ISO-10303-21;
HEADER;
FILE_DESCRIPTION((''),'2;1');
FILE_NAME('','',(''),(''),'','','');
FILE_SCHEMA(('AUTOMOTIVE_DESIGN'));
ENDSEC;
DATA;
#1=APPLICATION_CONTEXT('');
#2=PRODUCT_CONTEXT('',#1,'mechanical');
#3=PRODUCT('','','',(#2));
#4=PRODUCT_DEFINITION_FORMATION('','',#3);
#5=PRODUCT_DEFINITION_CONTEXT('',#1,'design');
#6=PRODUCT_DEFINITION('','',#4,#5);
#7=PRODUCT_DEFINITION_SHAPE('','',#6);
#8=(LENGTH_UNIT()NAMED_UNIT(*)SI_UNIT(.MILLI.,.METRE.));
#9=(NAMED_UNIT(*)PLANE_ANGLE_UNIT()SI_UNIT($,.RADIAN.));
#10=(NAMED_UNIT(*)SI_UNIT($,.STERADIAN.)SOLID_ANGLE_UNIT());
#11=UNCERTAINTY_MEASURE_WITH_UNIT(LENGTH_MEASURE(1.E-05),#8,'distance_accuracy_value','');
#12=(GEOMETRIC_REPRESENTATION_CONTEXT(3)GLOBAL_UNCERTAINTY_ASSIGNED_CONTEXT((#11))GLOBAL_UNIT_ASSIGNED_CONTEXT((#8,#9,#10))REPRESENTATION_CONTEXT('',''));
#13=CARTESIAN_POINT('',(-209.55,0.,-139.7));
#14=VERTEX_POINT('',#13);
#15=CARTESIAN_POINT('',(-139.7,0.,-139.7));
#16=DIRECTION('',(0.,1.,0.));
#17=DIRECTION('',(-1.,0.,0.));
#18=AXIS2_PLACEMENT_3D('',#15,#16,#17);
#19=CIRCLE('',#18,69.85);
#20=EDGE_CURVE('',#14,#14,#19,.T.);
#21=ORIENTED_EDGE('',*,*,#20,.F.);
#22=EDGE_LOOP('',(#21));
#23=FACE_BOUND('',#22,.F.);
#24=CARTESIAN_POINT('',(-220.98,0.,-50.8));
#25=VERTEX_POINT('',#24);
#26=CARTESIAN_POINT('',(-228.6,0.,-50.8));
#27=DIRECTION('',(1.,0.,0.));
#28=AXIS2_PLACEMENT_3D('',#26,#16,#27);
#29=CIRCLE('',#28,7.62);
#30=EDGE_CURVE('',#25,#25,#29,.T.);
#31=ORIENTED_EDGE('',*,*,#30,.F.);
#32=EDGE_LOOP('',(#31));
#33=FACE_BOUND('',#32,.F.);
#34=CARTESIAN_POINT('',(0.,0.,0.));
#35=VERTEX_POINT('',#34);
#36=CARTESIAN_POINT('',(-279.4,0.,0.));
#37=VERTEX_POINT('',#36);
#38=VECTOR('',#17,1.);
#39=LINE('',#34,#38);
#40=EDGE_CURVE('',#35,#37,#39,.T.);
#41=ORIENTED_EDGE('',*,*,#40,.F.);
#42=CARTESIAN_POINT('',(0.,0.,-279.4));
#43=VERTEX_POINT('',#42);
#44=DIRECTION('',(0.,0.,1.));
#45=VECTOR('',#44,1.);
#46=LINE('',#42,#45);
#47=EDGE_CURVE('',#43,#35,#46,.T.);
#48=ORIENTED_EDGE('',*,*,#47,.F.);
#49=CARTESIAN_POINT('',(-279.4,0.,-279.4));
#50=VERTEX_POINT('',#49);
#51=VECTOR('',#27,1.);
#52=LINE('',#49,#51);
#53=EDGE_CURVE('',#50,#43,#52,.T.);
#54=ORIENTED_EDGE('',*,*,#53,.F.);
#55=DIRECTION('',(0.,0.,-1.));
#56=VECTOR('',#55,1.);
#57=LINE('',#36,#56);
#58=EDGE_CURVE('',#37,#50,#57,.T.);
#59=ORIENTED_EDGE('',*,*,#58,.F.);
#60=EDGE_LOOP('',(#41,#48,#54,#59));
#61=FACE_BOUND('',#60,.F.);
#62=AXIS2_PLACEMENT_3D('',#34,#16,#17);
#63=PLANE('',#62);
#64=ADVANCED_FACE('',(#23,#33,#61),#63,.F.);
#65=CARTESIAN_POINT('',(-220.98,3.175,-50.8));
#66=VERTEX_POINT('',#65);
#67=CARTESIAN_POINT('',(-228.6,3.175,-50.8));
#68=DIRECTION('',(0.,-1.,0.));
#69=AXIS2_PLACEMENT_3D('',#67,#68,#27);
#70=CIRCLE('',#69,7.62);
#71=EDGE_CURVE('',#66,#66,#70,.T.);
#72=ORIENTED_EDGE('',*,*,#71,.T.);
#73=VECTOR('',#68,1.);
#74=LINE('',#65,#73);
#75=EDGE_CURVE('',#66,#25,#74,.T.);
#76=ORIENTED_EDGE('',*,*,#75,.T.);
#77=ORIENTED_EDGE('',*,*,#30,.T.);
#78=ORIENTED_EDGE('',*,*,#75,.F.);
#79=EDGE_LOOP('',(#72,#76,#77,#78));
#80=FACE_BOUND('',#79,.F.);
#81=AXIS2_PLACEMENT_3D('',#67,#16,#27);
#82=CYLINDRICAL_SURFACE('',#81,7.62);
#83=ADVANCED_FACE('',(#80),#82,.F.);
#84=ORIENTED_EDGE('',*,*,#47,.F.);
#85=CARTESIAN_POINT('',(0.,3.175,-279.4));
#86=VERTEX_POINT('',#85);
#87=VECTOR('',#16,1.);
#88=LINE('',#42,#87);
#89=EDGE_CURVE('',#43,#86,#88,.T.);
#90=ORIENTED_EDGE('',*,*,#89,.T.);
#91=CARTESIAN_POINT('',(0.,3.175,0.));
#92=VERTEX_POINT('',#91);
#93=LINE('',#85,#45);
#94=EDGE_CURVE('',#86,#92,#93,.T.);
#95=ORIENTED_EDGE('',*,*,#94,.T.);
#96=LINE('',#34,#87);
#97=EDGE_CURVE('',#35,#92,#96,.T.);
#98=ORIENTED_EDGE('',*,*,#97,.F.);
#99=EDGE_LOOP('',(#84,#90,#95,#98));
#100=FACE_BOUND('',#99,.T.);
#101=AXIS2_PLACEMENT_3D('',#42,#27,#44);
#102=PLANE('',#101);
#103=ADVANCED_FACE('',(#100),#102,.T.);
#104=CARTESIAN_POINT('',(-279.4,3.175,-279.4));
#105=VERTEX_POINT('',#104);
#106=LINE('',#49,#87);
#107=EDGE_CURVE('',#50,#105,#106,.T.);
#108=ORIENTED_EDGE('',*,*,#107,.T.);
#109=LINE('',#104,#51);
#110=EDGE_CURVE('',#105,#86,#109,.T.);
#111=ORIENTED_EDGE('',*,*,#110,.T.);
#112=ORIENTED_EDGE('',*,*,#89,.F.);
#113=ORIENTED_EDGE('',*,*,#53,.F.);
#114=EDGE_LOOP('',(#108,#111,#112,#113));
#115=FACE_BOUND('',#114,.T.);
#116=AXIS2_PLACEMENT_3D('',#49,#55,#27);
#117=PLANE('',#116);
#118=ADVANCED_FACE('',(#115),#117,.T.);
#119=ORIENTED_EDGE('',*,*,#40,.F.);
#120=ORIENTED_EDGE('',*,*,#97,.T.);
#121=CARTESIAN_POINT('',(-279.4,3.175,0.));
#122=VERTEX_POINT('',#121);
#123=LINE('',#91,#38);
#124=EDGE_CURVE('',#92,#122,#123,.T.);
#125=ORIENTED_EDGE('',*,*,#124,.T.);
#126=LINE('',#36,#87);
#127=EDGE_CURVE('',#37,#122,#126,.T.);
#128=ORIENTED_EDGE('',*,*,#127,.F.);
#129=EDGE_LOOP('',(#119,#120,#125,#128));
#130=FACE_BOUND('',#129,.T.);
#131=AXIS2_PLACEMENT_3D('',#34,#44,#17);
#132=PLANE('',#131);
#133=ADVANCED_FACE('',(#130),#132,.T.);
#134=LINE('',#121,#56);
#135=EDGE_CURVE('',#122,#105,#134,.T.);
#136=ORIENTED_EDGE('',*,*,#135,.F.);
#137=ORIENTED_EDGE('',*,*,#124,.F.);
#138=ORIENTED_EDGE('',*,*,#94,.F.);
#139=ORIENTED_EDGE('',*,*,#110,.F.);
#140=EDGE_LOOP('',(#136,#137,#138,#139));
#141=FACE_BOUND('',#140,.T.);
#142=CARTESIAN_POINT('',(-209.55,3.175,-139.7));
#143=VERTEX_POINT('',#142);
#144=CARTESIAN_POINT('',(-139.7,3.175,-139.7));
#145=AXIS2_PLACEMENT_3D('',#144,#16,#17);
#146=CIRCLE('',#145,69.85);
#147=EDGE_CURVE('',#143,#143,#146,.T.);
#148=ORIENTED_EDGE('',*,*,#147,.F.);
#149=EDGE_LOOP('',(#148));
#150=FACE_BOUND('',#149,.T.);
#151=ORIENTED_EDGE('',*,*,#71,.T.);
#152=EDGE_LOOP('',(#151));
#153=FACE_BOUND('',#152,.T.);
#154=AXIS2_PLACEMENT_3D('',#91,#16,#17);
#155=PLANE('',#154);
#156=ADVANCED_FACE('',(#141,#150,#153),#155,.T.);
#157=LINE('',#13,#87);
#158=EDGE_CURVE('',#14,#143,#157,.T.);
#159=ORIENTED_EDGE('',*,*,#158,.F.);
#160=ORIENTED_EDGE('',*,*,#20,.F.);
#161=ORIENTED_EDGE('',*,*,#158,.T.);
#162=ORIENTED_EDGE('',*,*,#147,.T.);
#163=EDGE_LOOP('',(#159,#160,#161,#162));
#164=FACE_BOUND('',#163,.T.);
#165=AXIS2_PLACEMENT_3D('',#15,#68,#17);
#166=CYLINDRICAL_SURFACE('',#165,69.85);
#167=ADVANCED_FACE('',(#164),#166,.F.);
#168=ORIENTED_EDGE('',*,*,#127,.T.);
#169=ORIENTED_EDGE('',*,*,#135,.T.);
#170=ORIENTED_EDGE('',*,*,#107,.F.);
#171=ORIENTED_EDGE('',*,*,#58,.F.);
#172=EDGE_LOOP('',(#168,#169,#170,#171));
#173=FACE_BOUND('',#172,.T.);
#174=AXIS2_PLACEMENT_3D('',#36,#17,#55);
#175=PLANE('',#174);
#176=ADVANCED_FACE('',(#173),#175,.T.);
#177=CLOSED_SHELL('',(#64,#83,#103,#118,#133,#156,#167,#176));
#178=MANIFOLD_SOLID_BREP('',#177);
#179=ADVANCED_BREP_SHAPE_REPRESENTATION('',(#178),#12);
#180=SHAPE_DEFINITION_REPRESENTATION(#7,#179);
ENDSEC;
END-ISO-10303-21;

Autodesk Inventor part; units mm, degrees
ref_plane "YZ Plane" through (0, 0, 0) normal (1, 0, 0) x (0, 1, 0)
ref_plane "XZ Plane" through (0, 0, 0) normal (0, 1, 0) x (-1, 0, 0)
ref_plane "XY Plane" through (0, 0, 0) normal (0, 0, 1) x (1, 0, 0)
sketch "Sketch1" plane through (0, 0, 0) normal (0, 1, 0) x (-1, 0, 0)
  line L0 (0, 0) -> (279.4, 0)
  line L1 (279.4, 0) -> (279.4, -279.4)
  line L2 (279.4, -279.4) -> (0, -279.4)
  line L3 (0, -279.4) -> (0, 0)
  circle A0 centre (139.7, -139.7) radius 69.85
  dimension "d0" = 279.4
  dimension "d1" = 279.4
extrude "Extrusion1" add sketch "Sketch1" along normal blind 3.175
sketch "Sketch3" plane through (0, 3.175, 0) normal (0, 1, 0) x (1, 0, 0)
  line L0 (-279.4, 279.4) -> (-279.4, 0) projected
  line L1 (-279.4, 0) -> (-228.6, 0)
  line L2 (-228.6, 0) -> (-228.6, 50.8)
  line L3 (-228.6, 50.8) -> (-279.4, 50.8)
  line L4 (-279.4, 50.8) -> (-279.4, 0)
  circle A0 centre (-228.6, 50.8) radius 7.62
  point P0 (0, 0)
  dimension "d4" = 50.8
  dimension "d5" = 50.8
  dimension "d6" = 15.24
extrude "Extrusion2" cut sketch "Sketch3" against normal blind 3.175 contours A0 L2 L3 | L3 L2 A0
properties part number "TurretBaseplate"
